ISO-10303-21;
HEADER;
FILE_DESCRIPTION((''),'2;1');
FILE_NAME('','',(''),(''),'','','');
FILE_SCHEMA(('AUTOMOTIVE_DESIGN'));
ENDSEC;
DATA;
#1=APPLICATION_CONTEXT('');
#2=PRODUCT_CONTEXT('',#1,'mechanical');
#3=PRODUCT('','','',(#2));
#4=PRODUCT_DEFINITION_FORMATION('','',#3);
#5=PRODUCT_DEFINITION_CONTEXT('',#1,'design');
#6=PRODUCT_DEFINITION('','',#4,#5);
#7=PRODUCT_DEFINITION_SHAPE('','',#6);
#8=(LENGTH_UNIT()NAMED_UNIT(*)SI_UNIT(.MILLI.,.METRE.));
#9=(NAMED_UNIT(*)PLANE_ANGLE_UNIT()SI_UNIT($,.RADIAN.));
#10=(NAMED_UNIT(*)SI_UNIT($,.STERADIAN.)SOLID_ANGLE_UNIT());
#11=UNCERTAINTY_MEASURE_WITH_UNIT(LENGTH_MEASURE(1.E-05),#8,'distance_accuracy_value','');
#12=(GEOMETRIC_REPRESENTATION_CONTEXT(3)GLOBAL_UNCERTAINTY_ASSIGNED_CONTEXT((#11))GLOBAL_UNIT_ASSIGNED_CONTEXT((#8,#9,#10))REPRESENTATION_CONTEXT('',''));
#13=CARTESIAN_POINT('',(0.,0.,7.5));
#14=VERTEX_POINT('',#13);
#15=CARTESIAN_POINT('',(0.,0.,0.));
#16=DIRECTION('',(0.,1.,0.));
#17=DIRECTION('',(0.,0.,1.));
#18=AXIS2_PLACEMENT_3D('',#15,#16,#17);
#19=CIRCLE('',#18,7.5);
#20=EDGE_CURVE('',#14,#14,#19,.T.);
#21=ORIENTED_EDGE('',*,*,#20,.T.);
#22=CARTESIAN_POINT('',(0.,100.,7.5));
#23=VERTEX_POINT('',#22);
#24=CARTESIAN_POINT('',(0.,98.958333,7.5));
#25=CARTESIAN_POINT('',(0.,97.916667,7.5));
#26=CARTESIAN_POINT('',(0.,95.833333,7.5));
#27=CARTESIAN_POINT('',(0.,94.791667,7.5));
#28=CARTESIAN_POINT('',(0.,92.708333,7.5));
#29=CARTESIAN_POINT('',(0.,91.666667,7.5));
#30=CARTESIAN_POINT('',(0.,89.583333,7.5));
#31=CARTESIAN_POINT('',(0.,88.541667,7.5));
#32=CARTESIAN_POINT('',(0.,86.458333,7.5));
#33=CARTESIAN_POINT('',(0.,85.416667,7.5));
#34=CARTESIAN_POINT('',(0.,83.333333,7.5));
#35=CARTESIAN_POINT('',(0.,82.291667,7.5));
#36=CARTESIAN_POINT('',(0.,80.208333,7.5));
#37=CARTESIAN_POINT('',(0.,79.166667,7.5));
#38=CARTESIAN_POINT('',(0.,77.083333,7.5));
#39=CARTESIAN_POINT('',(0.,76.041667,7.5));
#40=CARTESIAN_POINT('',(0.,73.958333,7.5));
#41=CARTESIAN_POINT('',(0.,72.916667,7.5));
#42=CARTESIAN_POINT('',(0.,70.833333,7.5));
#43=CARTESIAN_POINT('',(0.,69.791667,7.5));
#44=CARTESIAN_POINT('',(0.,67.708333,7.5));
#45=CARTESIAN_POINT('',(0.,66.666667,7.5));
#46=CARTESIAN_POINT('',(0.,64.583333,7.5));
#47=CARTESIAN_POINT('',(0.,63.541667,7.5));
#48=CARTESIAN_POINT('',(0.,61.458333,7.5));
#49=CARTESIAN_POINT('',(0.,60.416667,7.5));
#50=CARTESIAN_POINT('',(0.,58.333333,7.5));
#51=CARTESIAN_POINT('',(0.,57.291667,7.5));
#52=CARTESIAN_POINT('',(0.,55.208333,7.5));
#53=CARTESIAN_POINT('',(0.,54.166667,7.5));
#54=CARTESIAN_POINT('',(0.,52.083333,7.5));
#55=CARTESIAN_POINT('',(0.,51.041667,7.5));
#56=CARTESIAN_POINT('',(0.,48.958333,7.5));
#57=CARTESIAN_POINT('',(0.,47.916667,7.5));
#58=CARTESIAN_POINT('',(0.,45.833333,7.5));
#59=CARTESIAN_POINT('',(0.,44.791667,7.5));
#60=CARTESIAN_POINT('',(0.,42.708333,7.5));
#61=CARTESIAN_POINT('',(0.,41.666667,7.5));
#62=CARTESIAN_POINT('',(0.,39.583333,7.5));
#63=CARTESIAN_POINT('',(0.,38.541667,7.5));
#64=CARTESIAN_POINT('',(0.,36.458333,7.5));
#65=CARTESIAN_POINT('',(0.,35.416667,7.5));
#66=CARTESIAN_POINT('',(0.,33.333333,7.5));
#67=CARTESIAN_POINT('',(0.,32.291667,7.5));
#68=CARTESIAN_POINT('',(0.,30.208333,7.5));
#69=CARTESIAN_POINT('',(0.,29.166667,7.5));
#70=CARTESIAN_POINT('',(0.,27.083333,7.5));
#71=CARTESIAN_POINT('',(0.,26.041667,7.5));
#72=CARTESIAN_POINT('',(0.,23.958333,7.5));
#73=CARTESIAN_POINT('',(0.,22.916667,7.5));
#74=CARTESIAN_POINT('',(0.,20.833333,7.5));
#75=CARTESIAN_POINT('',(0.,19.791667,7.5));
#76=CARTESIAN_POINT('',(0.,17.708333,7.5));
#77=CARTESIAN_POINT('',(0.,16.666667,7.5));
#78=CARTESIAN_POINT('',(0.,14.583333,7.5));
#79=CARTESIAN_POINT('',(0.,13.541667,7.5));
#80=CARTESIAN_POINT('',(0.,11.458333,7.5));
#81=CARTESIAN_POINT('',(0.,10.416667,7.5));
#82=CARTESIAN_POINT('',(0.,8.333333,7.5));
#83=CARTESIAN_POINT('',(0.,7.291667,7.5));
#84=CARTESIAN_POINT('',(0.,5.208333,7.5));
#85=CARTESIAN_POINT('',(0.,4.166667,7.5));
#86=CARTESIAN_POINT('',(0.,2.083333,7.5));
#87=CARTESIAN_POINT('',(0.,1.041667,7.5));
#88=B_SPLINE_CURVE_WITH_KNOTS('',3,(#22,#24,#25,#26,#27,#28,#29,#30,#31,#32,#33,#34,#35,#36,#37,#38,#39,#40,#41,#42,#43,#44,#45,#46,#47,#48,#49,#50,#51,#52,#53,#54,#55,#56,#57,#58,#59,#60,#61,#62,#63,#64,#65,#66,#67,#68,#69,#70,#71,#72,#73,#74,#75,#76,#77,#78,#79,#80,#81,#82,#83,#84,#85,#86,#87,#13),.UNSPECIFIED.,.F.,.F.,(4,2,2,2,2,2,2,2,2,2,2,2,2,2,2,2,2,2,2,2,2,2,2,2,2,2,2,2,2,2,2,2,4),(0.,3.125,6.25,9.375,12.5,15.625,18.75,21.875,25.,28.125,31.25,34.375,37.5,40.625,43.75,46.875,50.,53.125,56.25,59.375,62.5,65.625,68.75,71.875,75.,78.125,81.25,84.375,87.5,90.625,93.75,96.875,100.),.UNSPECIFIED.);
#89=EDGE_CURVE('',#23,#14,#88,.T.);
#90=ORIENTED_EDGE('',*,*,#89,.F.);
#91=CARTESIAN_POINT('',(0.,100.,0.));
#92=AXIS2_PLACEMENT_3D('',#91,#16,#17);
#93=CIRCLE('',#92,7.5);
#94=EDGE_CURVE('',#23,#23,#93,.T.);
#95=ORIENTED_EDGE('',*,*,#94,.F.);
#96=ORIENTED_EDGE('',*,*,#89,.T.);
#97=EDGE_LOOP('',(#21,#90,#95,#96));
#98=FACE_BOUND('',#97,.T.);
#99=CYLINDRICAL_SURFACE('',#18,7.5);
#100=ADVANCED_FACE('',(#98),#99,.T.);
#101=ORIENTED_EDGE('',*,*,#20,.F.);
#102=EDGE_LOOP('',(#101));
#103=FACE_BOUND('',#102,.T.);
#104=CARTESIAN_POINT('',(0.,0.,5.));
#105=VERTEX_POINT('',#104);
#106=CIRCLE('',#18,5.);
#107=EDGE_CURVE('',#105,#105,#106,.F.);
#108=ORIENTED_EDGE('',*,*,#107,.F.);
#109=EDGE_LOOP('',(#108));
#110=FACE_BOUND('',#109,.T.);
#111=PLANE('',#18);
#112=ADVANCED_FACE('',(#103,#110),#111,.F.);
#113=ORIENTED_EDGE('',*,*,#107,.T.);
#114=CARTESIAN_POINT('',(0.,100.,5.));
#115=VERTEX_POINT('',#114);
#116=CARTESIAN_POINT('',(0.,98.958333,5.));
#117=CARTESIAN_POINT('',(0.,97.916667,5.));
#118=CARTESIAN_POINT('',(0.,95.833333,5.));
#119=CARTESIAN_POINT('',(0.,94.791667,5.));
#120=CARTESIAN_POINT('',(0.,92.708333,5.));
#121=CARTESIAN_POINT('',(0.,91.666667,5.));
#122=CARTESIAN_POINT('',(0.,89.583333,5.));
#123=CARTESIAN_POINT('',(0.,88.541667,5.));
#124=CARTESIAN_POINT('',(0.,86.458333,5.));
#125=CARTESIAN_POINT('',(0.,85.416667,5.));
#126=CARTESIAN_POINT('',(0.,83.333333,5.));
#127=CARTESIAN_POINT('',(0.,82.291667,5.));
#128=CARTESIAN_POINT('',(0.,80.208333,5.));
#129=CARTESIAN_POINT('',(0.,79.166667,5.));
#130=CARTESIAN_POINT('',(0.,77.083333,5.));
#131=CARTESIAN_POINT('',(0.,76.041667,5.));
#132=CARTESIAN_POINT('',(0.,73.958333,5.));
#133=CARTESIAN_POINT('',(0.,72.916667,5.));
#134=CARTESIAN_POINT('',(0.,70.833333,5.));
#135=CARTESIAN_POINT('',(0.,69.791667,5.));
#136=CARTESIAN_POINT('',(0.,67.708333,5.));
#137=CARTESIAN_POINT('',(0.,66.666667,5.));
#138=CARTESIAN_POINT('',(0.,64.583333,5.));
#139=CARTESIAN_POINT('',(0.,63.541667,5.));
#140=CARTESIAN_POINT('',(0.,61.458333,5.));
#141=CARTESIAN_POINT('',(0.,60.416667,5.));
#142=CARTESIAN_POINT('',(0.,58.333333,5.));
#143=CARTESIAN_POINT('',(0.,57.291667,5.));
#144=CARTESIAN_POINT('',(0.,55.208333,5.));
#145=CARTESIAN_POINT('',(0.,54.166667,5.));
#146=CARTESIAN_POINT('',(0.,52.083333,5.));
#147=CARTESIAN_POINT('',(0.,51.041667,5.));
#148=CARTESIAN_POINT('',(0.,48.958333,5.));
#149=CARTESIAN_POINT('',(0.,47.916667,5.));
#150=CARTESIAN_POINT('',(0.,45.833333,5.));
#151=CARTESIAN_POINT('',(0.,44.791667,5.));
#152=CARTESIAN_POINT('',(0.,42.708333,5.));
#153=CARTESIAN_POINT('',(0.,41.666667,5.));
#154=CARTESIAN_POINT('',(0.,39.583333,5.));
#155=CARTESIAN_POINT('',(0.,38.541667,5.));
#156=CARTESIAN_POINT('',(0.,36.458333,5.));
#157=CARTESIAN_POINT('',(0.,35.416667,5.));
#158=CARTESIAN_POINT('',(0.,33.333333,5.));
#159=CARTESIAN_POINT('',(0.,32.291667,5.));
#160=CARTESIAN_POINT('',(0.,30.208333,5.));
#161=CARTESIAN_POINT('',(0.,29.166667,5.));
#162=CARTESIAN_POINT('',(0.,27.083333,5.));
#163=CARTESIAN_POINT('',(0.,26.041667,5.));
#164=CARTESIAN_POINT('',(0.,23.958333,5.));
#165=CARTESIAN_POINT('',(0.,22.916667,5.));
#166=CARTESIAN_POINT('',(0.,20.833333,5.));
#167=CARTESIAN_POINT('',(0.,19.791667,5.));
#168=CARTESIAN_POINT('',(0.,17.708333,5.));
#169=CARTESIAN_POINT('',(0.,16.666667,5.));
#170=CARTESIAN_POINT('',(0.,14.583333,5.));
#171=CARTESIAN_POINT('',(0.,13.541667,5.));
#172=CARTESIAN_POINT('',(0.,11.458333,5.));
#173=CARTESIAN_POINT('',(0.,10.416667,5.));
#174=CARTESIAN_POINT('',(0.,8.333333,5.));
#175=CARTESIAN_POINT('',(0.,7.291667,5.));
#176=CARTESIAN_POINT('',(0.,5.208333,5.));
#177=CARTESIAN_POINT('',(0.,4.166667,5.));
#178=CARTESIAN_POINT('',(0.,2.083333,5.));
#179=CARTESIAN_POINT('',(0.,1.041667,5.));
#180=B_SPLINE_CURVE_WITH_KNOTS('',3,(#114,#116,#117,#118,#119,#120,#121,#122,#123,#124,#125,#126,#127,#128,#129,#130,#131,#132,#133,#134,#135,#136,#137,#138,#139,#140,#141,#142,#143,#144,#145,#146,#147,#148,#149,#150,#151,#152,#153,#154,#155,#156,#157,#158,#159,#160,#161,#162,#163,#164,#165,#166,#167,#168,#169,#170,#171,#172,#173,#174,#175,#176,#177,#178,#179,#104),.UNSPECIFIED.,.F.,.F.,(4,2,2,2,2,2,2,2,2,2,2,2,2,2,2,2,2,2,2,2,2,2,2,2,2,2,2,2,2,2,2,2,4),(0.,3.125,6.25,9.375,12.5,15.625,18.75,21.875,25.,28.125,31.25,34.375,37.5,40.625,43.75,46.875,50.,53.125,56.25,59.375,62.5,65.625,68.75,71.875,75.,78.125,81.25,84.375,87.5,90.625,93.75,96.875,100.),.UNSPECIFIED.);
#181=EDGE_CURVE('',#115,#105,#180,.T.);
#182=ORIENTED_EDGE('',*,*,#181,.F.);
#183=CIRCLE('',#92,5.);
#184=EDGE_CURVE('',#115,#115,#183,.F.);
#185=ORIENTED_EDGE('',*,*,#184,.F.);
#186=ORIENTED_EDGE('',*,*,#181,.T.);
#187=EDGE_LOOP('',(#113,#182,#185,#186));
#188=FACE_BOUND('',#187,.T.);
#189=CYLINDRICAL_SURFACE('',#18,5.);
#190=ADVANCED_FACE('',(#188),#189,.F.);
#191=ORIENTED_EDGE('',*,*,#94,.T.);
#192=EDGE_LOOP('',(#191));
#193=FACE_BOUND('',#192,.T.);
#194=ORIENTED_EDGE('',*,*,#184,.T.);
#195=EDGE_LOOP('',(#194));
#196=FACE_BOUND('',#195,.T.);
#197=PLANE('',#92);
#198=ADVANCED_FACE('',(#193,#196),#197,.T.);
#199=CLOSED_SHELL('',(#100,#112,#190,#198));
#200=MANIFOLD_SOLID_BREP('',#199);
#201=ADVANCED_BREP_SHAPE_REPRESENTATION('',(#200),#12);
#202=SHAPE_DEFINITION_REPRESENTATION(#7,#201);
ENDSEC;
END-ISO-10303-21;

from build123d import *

# Parameters (mm, degrees)
SKETCH4_R   = 7.5
SKETCH4_R_2 = 5


with BuildPart() as part:
    # Sweep1: sweep along a path in Sketch5
    with BuildLine() as sweep1_path:  # in the path sketch's own coordinates; laid on its plane below (add() does not lay a ready-made edge on the line's plane)
        add(Edge.make_bspline(
            [(0, 0), (0, 50), (0, 100)],
            knots=[0, 0, 0, 1, 1, 1], degree=2))
    # Sketch4 → Sweep1 (sweep)
    with BuildSketch(Plane(origin=(0, 0, 0), x_dir=(1, 0, 0), z_dir=(0, 1, 0))):
        Circle(SKETCH4_R)
        Circle(SKETCH4_R_2, mode=Mode.SUBTRACT)
    sweep(path=Plane.XY * sweep1_path.line)


solid = part.part
